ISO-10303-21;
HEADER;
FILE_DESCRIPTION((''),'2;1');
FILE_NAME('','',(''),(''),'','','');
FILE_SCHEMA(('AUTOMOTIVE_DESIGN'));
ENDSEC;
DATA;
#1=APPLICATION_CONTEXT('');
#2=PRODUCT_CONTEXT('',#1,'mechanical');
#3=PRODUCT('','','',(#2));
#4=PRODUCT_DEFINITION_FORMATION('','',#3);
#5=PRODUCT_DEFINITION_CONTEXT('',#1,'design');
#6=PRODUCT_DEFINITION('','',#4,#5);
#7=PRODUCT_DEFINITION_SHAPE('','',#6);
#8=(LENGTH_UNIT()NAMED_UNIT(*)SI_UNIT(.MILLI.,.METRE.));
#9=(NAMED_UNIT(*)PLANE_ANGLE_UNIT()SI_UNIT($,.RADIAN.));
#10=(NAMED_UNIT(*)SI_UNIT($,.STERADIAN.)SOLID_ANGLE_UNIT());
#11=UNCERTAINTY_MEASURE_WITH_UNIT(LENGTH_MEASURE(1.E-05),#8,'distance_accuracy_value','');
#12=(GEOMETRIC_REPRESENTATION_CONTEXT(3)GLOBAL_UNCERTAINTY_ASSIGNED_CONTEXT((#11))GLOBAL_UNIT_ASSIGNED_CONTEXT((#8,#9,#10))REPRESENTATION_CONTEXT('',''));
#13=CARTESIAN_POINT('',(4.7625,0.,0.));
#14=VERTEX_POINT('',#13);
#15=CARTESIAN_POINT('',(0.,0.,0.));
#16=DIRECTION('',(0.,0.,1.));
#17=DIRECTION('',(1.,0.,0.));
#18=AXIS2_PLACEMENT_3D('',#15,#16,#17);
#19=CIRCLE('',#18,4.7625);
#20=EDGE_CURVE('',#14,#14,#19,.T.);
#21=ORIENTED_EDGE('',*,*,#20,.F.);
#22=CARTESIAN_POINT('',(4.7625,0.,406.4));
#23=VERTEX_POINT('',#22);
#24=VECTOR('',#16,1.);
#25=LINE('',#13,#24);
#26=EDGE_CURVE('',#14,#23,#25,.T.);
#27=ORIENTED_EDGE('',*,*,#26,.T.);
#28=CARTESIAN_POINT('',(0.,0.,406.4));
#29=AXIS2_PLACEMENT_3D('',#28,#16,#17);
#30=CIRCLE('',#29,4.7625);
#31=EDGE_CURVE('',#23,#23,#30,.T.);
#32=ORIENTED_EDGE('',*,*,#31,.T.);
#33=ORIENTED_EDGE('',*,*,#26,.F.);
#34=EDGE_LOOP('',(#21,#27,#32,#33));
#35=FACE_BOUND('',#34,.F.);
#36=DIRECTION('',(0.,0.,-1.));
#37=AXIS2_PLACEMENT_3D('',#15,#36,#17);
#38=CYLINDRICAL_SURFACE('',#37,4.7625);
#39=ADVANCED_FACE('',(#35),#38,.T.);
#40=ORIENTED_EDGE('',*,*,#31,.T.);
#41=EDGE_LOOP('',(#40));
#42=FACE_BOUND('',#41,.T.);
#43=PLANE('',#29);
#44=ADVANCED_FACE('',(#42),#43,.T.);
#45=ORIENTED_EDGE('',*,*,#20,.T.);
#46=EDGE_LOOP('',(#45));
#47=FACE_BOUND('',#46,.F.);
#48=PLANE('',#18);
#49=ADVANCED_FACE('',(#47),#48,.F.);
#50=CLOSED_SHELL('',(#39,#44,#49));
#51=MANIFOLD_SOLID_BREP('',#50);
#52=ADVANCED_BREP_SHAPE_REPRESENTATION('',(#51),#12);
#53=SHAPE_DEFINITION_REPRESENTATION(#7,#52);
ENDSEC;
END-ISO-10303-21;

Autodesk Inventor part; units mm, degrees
ref_plane "YZ Plane" through (0, 0, 0) normal (1, 0, 0) x (0, 1, 0)
ref_plane "XZ Plane" through (0, 0, 0) normal (0, 1, 0) x (-1, 0, 0)
ref_plane "XY Plane" through (0, 0, 0) normal (0, 0, 1) x (1, 0, 0)
sketch "Sketch1" plane through (0, 0, 0) normal (0, 0, 1) x (1, 0, 0)
  circle A0 centre (0, 0) radius 4.7625
  dimension "d0" = 9.525
extrude "Extrusion1" add sketch "Sketch1" along normal blind 406.4
thread "Thread1" size "3/8-16 UNC" class "2A" standard "ANSI Unified Screw Threads" full length
properties part number "allthread"
